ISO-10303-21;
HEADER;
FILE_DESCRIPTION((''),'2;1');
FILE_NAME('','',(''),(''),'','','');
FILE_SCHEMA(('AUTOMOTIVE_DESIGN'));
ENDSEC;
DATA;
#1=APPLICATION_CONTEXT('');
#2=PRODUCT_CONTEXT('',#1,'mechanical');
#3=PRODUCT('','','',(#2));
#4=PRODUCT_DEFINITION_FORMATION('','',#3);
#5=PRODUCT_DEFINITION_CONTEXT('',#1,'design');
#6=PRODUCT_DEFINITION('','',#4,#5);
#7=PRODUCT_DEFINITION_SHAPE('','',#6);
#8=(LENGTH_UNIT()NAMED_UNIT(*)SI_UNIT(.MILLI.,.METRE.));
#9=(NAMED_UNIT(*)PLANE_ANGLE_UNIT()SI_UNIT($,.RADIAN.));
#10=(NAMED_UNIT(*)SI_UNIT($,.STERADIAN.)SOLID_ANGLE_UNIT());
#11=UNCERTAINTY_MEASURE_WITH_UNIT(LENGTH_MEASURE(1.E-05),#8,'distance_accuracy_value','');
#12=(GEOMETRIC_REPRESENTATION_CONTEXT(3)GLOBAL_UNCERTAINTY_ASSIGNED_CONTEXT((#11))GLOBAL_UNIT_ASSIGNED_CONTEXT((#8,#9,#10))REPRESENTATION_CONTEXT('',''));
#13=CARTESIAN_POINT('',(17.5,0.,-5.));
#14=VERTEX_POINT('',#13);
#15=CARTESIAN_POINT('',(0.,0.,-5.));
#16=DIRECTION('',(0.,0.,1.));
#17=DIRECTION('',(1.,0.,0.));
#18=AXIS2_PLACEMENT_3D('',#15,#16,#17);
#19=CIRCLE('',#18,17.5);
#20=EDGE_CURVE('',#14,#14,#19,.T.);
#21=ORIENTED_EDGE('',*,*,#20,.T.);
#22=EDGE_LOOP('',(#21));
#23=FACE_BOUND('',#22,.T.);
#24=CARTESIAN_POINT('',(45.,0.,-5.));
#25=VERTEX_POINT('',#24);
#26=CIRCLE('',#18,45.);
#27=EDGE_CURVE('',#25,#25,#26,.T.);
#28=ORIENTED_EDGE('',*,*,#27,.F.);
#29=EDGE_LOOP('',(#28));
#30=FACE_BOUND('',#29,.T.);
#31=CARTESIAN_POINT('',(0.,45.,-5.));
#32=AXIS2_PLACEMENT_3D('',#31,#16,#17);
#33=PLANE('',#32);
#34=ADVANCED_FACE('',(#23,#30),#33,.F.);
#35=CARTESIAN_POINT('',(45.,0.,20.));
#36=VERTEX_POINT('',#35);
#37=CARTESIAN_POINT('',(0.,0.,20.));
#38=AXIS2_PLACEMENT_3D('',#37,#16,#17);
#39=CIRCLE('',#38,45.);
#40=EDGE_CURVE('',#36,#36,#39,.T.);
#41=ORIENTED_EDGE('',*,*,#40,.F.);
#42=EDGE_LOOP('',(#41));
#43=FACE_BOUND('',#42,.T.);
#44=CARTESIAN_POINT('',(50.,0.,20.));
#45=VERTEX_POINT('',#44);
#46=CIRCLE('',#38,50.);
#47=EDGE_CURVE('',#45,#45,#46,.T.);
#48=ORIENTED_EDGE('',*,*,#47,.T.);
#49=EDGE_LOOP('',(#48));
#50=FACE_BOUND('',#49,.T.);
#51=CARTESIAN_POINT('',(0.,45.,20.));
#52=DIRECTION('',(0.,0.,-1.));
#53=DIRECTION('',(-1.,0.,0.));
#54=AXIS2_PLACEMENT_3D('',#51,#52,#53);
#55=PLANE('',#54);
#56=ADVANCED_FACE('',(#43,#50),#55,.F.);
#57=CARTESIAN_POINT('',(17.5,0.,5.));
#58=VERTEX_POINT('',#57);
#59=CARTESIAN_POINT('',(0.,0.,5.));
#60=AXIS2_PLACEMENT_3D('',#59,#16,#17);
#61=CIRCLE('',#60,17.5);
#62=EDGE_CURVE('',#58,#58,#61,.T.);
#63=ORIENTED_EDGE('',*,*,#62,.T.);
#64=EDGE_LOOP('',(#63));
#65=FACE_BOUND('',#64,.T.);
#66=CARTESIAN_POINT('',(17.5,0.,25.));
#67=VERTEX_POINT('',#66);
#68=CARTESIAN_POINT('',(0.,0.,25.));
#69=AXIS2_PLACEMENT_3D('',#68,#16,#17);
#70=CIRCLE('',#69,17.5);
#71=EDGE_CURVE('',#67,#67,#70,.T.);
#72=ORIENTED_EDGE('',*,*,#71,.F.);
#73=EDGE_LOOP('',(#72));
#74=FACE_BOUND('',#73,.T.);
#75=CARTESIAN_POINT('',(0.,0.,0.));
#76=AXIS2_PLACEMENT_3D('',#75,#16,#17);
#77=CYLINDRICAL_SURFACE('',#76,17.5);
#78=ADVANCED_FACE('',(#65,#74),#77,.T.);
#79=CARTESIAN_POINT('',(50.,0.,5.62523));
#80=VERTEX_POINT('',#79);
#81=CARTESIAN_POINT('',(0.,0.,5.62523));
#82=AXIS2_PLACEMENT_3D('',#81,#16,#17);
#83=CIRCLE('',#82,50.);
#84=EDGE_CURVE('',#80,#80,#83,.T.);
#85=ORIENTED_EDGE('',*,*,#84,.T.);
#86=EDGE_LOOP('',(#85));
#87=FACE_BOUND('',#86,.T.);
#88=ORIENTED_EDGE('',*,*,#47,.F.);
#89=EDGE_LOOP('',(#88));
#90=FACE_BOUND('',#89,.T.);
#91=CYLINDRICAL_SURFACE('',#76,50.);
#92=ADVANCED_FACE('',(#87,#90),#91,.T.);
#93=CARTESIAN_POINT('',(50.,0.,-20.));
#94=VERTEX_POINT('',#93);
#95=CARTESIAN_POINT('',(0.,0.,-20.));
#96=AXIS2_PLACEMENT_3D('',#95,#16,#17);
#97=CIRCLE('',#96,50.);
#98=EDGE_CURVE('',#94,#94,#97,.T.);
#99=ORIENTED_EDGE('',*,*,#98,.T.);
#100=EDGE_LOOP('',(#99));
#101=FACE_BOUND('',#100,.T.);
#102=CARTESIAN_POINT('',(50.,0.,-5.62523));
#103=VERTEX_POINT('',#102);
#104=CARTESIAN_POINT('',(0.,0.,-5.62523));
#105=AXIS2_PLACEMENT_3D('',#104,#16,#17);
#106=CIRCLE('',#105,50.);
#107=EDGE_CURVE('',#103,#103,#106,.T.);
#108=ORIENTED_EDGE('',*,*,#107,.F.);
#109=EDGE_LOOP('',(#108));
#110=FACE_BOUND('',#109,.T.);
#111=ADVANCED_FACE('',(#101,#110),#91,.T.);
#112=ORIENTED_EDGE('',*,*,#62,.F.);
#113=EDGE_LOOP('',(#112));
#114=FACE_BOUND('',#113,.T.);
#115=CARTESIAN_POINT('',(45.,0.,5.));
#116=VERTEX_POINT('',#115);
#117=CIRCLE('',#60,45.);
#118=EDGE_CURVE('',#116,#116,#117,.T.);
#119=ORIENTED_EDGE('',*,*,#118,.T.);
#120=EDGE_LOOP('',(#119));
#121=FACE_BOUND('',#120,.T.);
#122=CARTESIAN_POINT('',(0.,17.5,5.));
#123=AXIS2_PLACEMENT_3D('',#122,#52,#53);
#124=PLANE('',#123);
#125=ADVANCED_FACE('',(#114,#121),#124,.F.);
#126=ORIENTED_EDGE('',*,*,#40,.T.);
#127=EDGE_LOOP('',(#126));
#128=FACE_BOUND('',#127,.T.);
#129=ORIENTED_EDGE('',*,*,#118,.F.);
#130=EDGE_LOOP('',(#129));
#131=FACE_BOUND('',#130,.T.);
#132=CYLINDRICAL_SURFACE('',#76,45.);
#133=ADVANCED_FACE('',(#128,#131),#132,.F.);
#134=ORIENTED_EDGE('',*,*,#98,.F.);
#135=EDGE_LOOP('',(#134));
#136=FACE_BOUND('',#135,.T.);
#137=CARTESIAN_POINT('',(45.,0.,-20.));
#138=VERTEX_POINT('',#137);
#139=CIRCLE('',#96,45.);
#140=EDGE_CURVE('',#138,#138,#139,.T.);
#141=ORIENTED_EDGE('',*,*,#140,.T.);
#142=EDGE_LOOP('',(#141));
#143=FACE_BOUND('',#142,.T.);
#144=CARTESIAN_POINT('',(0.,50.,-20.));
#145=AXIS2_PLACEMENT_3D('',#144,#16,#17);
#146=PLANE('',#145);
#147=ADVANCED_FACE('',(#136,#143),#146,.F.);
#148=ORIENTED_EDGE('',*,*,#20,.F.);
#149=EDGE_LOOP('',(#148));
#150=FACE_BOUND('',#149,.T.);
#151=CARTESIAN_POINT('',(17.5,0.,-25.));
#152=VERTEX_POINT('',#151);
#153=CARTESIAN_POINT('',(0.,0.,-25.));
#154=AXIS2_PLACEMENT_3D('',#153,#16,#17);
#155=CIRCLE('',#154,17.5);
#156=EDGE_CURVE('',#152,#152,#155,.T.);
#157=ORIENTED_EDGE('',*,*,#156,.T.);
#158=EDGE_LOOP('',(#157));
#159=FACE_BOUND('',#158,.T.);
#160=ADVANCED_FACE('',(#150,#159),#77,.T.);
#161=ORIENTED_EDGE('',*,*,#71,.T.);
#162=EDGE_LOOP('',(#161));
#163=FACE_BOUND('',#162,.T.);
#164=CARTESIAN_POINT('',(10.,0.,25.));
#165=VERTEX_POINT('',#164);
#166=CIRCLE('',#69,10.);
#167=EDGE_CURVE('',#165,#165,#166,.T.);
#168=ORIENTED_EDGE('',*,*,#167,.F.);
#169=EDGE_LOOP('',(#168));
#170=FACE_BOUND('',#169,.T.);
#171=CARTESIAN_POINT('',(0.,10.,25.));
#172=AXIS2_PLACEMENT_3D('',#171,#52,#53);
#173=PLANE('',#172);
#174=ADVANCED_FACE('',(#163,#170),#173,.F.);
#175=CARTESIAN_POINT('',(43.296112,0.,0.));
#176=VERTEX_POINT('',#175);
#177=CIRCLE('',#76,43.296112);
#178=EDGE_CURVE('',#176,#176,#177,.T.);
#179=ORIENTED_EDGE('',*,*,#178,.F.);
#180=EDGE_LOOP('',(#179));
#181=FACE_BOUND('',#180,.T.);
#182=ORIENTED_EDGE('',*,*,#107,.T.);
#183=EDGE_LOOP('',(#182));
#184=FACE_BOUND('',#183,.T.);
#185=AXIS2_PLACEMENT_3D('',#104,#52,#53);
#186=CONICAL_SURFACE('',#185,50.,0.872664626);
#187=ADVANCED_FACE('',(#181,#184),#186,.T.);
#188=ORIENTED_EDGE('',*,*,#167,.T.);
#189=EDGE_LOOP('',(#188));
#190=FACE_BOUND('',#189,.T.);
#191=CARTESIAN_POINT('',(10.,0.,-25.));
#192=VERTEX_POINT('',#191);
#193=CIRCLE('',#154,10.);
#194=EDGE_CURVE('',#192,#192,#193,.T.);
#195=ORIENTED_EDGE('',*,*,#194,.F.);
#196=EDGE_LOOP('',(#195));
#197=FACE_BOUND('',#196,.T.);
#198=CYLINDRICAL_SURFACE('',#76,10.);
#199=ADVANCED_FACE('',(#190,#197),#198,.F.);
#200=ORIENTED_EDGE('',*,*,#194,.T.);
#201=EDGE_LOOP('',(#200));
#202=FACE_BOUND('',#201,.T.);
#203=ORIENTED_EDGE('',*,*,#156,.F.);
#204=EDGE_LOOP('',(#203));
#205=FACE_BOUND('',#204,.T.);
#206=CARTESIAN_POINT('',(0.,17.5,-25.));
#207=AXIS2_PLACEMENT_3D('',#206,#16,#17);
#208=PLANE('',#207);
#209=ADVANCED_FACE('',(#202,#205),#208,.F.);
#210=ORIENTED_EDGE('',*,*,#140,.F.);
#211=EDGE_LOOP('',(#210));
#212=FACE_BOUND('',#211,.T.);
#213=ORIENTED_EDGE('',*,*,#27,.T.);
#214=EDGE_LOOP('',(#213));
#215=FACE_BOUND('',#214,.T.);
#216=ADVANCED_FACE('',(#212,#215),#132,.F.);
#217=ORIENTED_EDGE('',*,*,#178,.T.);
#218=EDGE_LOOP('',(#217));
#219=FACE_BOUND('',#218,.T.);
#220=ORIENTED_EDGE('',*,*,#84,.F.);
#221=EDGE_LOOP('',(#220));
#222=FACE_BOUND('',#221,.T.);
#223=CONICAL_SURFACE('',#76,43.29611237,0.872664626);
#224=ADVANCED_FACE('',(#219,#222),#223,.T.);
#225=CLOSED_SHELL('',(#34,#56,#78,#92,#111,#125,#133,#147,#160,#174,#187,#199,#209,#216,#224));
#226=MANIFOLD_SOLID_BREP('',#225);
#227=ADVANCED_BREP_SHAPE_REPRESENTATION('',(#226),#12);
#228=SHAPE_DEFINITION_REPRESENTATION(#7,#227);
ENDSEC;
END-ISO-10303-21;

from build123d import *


with BuildPart() as part:
    # Croquis1 → Revolución1 (revolve)
    with BuildSketch(Plane(origin=(0, 0, 0), x_dir=(0, 0, -1), z_dir=(1, 0, 0)), mode=Mode.PRIVATE) as revoluci_n1_sk:
        Polygon((25, 10), (-25, 10), (-25, 17.5), (-5, 17.5), (-5, 45), (-20, 45), (-20, 50), (-5.625229638, 50), (0, 43.29611237), (5.625229638, 50), (20, 50), (20, 45), (5, 45), (5, 17.5), (25, 17.5), align=None)
    revolve(revoluci_n1_sk.sketch.rotate(Axis((0, 0, 0), (0, 0, -1)), 90), axis=Axis((0, 0, 0), (0, 0, -1)))


solid = part.part
